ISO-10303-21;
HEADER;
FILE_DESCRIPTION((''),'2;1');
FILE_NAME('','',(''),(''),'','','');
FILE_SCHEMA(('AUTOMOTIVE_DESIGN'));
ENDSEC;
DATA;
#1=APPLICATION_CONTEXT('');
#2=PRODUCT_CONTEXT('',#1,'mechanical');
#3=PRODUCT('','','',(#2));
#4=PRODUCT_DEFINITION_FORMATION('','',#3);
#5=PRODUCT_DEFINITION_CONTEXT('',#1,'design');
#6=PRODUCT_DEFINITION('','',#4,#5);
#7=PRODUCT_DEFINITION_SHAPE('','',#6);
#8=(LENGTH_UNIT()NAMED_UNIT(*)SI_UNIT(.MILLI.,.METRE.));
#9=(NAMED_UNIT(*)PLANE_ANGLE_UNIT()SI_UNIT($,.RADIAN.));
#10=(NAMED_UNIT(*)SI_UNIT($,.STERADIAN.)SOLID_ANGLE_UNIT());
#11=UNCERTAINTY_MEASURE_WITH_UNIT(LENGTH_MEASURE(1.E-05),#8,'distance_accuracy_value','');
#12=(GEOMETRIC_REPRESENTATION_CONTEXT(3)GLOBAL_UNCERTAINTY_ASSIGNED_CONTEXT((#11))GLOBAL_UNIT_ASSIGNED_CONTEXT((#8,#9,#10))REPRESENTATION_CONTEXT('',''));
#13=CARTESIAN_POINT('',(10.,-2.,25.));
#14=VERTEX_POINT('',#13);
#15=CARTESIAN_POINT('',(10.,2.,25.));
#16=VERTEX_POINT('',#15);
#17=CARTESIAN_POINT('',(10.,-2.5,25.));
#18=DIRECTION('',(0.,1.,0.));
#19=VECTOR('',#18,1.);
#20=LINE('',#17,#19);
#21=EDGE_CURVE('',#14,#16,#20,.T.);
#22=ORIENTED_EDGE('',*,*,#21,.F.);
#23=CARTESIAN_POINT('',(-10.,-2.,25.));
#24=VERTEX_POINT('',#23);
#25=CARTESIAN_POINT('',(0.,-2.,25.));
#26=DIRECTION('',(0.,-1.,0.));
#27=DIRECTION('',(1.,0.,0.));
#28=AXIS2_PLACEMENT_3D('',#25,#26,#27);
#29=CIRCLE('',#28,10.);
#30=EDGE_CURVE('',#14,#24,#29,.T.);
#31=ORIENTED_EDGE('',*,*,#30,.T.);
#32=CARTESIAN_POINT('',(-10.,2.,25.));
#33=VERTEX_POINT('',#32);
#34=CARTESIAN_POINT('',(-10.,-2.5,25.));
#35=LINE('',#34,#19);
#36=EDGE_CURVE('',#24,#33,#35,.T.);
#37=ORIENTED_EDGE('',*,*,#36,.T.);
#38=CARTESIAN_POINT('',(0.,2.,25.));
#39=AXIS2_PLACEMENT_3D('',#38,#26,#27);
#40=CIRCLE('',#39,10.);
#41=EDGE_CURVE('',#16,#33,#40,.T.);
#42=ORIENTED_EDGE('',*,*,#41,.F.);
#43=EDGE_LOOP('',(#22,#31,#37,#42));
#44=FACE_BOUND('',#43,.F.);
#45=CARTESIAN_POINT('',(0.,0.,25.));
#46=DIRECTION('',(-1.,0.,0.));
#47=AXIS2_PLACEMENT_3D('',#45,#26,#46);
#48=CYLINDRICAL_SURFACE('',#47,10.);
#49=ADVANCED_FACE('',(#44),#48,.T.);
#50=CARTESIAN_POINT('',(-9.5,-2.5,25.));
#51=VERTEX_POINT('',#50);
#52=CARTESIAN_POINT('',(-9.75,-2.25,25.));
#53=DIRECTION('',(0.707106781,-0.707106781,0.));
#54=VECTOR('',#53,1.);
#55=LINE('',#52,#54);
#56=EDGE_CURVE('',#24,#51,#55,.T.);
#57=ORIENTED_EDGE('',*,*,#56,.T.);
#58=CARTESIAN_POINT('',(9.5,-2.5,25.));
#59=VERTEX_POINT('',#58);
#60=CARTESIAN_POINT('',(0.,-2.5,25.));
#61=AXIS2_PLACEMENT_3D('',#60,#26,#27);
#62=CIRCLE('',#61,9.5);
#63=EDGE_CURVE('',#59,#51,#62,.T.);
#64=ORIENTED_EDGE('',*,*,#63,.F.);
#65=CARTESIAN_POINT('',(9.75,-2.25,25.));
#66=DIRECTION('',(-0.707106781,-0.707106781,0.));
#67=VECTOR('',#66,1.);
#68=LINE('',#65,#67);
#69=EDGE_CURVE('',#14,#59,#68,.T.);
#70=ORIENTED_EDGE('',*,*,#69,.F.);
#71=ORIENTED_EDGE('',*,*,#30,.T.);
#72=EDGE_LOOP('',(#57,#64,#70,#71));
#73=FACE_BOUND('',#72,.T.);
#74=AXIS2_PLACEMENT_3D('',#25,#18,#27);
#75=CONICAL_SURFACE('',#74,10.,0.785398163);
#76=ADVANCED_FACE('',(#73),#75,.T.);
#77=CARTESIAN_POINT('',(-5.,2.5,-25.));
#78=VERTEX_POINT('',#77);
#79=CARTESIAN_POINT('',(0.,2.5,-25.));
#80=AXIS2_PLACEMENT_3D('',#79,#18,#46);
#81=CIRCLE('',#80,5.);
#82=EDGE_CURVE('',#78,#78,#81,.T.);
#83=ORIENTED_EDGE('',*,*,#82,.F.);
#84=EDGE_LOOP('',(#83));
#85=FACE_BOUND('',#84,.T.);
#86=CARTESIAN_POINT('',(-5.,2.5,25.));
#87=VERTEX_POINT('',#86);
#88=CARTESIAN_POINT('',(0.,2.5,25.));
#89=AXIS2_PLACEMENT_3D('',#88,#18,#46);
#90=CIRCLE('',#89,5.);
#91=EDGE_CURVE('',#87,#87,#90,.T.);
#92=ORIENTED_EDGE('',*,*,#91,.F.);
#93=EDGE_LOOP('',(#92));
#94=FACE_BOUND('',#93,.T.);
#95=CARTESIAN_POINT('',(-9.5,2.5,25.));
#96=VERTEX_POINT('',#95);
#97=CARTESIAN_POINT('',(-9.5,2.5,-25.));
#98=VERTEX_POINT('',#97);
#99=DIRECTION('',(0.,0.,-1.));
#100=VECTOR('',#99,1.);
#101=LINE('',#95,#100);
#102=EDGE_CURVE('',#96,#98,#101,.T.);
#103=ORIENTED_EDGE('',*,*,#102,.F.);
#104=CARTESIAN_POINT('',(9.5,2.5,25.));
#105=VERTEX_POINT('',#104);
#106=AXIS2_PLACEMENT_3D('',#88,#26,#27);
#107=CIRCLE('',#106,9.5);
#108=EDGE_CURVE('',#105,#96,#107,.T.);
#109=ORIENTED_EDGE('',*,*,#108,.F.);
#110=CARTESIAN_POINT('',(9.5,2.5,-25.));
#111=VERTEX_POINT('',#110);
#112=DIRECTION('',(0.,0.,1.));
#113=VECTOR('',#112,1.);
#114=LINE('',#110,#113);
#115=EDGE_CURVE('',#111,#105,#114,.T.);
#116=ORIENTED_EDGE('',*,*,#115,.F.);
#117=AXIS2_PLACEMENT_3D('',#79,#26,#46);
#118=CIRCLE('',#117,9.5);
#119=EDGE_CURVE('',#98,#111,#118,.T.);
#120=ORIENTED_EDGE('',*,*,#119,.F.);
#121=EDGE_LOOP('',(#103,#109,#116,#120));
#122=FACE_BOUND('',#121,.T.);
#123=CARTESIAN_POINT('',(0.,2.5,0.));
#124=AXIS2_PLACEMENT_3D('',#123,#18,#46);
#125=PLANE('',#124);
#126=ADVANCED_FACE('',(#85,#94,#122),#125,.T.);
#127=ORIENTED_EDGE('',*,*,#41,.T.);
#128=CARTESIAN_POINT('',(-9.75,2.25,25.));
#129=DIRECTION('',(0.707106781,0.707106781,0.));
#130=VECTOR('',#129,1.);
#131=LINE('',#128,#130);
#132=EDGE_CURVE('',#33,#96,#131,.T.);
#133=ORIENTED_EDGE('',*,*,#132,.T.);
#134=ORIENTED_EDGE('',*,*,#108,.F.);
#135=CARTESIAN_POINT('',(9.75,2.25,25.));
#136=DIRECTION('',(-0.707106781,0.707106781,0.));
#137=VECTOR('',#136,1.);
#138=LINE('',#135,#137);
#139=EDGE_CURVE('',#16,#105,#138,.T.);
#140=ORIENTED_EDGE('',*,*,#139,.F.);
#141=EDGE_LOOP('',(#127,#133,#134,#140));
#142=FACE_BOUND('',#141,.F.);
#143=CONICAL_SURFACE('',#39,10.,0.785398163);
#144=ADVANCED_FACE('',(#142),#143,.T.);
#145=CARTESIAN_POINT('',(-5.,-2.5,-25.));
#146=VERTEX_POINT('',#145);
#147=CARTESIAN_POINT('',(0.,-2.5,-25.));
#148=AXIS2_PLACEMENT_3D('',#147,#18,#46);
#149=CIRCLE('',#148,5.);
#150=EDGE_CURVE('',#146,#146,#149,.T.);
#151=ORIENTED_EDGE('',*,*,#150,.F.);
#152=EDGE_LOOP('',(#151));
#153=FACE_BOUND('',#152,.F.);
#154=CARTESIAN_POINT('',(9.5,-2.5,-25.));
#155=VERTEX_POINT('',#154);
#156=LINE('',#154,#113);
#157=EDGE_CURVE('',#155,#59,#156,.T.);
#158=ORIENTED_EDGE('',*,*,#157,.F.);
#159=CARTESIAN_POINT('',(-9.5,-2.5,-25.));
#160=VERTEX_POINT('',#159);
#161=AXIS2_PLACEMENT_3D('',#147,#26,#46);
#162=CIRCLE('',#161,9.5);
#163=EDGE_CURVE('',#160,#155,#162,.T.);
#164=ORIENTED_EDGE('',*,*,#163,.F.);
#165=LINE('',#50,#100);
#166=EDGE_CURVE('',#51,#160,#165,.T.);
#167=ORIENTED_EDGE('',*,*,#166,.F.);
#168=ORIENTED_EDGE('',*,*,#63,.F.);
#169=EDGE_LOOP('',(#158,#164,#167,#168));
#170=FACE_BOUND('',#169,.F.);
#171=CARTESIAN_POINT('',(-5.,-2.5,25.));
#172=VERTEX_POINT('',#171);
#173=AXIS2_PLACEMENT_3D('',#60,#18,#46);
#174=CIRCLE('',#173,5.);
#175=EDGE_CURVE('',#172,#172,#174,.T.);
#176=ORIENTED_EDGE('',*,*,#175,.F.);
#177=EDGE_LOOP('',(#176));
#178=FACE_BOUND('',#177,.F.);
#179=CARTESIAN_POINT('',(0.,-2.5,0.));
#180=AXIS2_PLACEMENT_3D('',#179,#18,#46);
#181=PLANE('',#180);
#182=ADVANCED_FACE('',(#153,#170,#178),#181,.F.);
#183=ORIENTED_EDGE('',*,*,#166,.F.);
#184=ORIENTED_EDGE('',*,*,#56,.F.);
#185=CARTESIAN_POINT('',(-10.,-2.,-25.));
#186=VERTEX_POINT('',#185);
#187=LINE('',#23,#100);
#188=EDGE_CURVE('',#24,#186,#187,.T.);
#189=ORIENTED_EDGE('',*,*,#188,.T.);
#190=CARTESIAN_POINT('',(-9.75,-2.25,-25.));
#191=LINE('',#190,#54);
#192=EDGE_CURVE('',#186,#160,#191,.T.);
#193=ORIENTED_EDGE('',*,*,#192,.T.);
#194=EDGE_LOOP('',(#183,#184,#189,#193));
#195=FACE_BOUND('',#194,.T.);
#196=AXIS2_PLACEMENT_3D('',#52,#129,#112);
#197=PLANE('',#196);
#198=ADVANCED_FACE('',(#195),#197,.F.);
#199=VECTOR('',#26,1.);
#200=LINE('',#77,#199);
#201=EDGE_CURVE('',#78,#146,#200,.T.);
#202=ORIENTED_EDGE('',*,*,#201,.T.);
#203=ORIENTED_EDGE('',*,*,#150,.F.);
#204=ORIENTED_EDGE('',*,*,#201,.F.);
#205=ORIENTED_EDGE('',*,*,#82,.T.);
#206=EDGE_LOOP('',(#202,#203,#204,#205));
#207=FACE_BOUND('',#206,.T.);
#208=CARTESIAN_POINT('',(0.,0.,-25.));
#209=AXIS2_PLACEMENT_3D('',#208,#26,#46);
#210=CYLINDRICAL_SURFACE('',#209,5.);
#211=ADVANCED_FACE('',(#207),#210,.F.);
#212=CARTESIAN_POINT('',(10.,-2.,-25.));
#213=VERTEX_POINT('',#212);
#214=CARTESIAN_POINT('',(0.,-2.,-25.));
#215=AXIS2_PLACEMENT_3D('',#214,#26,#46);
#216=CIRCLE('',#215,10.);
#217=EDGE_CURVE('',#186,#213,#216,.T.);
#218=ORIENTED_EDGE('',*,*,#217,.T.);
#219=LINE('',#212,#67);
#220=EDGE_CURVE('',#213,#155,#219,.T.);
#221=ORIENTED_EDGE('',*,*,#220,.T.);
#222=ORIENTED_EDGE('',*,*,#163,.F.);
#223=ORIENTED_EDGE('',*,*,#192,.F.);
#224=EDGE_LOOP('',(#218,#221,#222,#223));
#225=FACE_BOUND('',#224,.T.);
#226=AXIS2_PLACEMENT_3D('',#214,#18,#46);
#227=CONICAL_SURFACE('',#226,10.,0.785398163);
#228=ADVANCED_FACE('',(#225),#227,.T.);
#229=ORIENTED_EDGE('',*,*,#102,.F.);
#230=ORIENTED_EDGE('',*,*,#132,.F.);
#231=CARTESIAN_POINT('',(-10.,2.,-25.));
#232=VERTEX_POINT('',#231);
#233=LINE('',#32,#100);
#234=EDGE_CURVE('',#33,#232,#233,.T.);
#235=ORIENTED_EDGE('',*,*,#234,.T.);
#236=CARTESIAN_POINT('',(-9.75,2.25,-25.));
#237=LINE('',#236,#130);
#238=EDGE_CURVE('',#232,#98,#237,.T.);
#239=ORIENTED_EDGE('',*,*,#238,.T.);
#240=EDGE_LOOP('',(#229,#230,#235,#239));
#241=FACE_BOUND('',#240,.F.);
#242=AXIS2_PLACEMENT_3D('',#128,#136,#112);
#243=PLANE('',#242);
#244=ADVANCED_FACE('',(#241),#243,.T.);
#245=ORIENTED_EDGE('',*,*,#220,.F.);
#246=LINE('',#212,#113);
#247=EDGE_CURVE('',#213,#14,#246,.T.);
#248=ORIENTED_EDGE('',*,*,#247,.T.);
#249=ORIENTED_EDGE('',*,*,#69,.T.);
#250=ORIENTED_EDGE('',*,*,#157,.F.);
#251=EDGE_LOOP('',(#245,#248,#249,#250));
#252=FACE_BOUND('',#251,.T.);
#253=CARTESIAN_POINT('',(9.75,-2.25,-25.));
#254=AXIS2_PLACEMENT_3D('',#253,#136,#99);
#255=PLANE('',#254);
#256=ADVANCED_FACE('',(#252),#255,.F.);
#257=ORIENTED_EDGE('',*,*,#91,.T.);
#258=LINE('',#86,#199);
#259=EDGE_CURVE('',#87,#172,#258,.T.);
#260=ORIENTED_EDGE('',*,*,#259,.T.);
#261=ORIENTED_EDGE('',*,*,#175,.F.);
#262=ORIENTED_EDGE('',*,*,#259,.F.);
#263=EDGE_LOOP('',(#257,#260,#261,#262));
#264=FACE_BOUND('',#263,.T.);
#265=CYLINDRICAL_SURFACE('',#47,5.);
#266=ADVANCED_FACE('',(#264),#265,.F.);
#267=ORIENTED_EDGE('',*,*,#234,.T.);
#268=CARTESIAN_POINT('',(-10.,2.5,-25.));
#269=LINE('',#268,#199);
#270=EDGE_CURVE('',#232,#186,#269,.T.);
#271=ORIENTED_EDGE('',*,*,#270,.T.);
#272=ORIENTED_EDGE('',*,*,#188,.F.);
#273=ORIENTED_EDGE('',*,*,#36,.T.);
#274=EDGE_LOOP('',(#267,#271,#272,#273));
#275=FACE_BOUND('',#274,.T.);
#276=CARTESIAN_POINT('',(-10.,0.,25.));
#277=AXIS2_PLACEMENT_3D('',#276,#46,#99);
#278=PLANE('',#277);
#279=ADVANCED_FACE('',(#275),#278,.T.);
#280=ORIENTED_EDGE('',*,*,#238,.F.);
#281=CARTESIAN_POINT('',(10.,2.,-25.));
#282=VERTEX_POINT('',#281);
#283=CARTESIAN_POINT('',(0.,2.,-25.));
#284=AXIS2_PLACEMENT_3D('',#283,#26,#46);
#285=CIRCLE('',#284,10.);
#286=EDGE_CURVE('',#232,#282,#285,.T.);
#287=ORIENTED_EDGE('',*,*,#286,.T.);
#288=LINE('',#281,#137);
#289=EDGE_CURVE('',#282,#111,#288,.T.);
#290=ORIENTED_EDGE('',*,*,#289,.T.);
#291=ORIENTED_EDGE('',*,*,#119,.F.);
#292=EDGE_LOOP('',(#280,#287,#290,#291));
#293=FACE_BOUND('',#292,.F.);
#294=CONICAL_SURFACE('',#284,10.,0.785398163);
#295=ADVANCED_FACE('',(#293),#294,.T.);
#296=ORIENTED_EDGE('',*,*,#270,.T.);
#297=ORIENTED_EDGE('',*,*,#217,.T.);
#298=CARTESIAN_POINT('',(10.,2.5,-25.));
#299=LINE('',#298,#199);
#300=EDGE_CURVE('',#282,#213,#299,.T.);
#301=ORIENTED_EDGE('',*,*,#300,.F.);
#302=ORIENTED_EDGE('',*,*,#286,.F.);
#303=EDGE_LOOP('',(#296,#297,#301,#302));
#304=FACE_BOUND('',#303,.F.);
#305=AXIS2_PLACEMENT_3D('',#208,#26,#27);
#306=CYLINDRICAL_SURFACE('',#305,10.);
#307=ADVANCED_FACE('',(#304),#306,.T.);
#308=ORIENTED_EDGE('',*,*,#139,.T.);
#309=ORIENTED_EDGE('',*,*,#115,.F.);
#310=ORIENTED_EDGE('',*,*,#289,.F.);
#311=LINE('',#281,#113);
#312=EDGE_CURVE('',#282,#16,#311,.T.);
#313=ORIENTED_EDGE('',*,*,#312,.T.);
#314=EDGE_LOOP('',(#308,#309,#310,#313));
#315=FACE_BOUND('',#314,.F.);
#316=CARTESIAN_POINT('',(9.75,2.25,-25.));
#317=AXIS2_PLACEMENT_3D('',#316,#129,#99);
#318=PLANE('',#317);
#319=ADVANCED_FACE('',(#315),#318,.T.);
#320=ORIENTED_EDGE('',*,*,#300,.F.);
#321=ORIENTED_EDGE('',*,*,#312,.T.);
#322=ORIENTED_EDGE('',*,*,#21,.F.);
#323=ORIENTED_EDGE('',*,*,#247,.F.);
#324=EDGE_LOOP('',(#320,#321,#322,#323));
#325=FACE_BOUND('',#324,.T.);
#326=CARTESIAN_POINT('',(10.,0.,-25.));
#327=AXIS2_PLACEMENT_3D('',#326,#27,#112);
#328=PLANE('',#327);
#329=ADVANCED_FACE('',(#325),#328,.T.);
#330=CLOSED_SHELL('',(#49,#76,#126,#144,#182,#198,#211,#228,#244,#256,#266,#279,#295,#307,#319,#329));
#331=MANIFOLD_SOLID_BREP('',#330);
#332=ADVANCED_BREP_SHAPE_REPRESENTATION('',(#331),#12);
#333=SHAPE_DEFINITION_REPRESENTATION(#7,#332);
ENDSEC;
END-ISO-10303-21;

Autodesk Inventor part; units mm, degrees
ref_plane "YZ Plane" through (0, 0, 0) normal (1, 0, 0) x (0, 1, 0)
ref_plane "XZ Plane" through (0, 0, 0) normal (0, 1, 0) x (-1, 0, 0)
ref_plane "XY Plane" through (0, 0, 0) normal (0, 0, 1) x (1, 0, 0)
sketch "Sketch1" plane through (0, 0, 0) normal (0, 1, 0) x (-1, 0, 0)
  circle A0 centre (0, 25) radius 5
  arc A1 (10, 25) -> (-10, 25) centre (0, 25) ccw
  arc A2 (-10, -25) -> (10, -25) centre (0, -25) ccw
  circle A3 centre (0, -25) radius 5
  line L0 (10, 25) -> (10, -25)
  line L1 (-10, -25) -> (-10, 25)
  line L2 (10, 25) -> (10, 35)
  line L3 (-10, 25) -> (-10, 35)
  line L4 (-10, 35) -> (10, 35)
  line L5 (-10, -25) -> (-10, -35)
  line L6 (-10, -35) -> (10, -35)
  line L7 (10, -35) -> (10, -25)
  point P0 (0, 0)
  point P1 (10, 0)
  point P2 (0, -35)
  point P3 (0, 35)
  dimension "d0" = 50
  dimension "d1" = 10
  dimension "d2" = 20
extrude "Extrusion1" add sketch "Sketch1" along normal mid plane 5 contours L0 A2 L1 A1
extrude "Extrusion2" [suppressed]
chamfer "Chamfer1" distance 0.5 angle 45 8 edges at (-10, -2.5, 0) (0, -2.5, -35) (0, -2.5, 35) (10, -2.5, 0) (-10, 2.5, 0) (0, 2.5, 35) (10, 2.5, 0) (0, 2.5, -35)
properties part number "LINK" material "Aluminium 6082 T6"
